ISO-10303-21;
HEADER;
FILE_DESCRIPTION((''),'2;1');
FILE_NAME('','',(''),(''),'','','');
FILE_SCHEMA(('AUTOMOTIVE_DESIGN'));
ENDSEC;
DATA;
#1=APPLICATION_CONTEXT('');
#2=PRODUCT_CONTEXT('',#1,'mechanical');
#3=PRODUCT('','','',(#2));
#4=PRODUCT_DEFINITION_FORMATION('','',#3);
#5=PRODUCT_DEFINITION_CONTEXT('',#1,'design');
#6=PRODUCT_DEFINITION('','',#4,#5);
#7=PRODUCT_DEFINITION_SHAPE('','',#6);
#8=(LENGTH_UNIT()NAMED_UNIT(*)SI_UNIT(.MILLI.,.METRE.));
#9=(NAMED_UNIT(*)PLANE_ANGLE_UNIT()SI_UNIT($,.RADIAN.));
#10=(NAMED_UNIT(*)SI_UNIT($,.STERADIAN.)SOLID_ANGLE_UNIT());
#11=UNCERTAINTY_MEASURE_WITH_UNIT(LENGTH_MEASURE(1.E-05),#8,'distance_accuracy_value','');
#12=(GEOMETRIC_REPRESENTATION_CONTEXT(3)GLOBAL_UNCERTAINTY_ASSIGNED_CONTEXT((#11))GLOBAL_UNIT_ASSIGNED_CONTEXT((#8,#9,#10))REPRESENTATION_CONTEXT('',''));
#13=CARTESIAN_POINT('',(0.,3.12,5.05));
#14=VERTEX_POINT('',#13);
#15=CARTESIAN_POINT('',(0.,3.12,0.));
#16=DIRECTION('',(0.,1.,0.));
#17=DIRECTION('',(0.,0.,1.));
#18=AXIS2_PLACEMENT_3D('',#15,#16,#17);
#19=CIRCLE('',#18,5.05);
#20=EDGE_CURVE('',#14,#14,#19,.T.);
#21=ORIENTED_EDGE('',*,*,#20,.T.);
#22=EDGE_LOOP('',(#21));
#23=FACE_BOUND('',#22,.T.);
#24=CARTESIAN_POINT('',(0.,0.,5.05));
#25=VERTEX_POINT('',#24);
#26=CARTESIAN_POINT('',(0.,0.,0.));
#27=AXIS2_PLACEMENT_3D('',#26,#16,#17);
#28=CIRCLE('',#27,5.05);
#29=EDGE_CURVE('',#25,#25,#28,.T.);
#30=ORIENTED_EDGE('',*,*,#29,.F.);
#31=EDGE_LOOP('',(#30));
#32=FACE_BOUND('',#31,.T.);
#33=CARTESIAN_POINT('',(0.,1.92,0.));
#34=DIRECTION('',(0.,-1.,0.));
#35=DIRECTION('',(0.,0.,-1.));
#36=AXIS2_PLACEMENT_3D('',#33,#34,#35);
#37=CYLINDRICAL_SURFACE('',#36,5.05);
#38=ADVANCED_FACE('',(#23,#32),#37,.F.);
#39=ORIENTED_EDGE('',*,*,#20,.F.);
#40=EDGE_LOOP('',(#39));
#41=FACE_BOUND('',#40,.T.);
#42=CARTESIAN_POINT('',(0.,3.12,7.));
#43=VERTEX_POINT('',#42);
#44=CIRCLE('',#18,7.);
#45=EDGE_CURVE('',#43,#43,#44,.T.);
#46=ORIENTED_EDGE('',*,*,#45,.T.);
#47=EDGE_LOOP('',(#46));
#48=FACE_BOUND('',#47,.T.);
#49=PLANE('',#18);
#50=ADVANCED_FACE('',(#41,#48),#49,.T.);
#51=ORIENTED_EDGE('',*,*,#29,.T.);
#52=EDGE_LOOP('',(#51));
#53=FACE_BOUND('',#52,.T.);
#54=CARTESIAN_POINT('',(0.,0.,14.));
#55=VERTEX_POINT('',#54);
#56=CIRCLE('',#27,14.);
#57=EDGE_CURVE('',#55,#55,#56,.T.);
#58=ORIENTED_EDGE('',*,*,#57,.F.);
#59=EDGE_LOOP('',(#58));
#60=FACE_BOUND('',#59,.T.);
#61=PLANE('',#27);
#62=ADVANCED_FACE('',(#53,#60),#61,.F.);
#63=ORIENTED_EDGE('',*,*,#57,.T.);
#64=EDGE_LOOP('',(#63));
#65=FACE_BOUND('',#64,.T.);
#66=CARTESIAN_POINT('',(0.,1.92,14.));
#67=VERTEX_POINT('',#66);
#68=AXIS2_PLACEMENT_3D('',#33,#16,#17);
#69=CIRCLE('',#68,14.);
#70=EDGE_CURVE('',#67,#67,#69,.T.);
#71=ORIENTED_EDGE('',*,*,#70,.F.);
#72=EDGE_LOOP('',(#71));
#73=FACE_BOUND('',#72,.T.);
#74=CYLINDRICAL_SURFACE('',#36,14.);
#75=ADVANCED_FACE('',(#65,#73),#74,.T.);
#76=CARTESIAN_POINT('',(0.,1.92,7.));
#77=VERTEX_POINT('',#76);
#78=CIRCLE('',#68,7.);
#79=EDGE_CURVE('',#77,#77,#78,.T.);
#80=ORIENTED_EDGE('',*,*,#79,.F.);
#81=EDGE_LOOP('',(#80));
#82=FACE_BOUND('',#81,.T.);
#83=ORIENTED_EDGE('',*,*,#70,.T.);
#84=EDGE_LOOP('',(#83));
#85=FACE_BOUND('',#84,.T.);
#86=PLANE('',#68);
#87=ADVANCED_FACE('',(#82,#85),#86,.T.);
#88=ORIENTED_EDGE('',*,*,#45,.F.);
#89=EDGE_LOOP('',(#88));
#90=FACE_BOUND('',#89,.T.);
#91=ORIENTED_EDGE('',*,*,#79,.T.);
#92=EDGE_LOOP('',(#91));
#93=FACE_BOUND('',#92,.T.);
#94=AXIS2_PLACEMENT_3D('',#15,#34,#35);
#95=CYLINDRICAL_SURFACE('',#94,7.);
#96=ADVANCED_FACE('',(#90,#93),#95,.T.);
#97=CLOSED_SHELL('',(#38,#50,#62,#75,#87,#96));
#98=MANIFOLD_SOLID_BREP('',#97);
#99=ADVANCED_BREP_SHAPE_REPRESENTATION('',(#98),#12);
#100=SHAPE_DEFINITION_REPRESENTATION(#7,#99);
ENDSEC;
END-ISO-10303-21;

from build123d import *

# Parameters (mm, degrees)
SKETCH1_R           = 14
SKETCH1_R_2         = 5.05
BOSS_EXTRUDE1_DEPTH = 1.92
SKETCH2_R           = 7
SKETCH2_R_2         = 5.05
BOSS_EXTRUDE2_DEPTH = 1.2


with BuildPart() as part:
    # Sketch1 → Boss-Extrude1 (new body)
    with BuildSketch(Plane(origin=(0, 0, 0), x_dir=(1, 0, 0), z_dir=(0, 1, 0))):
        with Locations(Location((0, 0, 0), (0, 0, 270))):
            Circle(SKETCH1_R)
        with Locations(Location((0, 0, 0), (0, 0, 270))):
            Circle(SKETCH1_R_2, mode=Mode.SUBTRACT)
    extrude(amount=BOSS_EXTRUDE1_DEPTH)

    # Sketch2 → Boss-Extrude2 (add)
    with BuildSketch(Plane(origin=(0, 1.92, 0), x_dir=(1, 0, 0), z_dir=(0, 1, 0))):
        with Locations(Location((0, 0, 0), (0, 0, 270))):
            Circle(SKETCH2_R)
        with Locations(Location((0, 0, 0), (0, 0, 270))):
            Circle(SKETCH2_R_2, mode=Mode.SUBTRACT)
    extrude(amount=BOSS_EXTRUDE2_DEPTH)


solid = part.part
